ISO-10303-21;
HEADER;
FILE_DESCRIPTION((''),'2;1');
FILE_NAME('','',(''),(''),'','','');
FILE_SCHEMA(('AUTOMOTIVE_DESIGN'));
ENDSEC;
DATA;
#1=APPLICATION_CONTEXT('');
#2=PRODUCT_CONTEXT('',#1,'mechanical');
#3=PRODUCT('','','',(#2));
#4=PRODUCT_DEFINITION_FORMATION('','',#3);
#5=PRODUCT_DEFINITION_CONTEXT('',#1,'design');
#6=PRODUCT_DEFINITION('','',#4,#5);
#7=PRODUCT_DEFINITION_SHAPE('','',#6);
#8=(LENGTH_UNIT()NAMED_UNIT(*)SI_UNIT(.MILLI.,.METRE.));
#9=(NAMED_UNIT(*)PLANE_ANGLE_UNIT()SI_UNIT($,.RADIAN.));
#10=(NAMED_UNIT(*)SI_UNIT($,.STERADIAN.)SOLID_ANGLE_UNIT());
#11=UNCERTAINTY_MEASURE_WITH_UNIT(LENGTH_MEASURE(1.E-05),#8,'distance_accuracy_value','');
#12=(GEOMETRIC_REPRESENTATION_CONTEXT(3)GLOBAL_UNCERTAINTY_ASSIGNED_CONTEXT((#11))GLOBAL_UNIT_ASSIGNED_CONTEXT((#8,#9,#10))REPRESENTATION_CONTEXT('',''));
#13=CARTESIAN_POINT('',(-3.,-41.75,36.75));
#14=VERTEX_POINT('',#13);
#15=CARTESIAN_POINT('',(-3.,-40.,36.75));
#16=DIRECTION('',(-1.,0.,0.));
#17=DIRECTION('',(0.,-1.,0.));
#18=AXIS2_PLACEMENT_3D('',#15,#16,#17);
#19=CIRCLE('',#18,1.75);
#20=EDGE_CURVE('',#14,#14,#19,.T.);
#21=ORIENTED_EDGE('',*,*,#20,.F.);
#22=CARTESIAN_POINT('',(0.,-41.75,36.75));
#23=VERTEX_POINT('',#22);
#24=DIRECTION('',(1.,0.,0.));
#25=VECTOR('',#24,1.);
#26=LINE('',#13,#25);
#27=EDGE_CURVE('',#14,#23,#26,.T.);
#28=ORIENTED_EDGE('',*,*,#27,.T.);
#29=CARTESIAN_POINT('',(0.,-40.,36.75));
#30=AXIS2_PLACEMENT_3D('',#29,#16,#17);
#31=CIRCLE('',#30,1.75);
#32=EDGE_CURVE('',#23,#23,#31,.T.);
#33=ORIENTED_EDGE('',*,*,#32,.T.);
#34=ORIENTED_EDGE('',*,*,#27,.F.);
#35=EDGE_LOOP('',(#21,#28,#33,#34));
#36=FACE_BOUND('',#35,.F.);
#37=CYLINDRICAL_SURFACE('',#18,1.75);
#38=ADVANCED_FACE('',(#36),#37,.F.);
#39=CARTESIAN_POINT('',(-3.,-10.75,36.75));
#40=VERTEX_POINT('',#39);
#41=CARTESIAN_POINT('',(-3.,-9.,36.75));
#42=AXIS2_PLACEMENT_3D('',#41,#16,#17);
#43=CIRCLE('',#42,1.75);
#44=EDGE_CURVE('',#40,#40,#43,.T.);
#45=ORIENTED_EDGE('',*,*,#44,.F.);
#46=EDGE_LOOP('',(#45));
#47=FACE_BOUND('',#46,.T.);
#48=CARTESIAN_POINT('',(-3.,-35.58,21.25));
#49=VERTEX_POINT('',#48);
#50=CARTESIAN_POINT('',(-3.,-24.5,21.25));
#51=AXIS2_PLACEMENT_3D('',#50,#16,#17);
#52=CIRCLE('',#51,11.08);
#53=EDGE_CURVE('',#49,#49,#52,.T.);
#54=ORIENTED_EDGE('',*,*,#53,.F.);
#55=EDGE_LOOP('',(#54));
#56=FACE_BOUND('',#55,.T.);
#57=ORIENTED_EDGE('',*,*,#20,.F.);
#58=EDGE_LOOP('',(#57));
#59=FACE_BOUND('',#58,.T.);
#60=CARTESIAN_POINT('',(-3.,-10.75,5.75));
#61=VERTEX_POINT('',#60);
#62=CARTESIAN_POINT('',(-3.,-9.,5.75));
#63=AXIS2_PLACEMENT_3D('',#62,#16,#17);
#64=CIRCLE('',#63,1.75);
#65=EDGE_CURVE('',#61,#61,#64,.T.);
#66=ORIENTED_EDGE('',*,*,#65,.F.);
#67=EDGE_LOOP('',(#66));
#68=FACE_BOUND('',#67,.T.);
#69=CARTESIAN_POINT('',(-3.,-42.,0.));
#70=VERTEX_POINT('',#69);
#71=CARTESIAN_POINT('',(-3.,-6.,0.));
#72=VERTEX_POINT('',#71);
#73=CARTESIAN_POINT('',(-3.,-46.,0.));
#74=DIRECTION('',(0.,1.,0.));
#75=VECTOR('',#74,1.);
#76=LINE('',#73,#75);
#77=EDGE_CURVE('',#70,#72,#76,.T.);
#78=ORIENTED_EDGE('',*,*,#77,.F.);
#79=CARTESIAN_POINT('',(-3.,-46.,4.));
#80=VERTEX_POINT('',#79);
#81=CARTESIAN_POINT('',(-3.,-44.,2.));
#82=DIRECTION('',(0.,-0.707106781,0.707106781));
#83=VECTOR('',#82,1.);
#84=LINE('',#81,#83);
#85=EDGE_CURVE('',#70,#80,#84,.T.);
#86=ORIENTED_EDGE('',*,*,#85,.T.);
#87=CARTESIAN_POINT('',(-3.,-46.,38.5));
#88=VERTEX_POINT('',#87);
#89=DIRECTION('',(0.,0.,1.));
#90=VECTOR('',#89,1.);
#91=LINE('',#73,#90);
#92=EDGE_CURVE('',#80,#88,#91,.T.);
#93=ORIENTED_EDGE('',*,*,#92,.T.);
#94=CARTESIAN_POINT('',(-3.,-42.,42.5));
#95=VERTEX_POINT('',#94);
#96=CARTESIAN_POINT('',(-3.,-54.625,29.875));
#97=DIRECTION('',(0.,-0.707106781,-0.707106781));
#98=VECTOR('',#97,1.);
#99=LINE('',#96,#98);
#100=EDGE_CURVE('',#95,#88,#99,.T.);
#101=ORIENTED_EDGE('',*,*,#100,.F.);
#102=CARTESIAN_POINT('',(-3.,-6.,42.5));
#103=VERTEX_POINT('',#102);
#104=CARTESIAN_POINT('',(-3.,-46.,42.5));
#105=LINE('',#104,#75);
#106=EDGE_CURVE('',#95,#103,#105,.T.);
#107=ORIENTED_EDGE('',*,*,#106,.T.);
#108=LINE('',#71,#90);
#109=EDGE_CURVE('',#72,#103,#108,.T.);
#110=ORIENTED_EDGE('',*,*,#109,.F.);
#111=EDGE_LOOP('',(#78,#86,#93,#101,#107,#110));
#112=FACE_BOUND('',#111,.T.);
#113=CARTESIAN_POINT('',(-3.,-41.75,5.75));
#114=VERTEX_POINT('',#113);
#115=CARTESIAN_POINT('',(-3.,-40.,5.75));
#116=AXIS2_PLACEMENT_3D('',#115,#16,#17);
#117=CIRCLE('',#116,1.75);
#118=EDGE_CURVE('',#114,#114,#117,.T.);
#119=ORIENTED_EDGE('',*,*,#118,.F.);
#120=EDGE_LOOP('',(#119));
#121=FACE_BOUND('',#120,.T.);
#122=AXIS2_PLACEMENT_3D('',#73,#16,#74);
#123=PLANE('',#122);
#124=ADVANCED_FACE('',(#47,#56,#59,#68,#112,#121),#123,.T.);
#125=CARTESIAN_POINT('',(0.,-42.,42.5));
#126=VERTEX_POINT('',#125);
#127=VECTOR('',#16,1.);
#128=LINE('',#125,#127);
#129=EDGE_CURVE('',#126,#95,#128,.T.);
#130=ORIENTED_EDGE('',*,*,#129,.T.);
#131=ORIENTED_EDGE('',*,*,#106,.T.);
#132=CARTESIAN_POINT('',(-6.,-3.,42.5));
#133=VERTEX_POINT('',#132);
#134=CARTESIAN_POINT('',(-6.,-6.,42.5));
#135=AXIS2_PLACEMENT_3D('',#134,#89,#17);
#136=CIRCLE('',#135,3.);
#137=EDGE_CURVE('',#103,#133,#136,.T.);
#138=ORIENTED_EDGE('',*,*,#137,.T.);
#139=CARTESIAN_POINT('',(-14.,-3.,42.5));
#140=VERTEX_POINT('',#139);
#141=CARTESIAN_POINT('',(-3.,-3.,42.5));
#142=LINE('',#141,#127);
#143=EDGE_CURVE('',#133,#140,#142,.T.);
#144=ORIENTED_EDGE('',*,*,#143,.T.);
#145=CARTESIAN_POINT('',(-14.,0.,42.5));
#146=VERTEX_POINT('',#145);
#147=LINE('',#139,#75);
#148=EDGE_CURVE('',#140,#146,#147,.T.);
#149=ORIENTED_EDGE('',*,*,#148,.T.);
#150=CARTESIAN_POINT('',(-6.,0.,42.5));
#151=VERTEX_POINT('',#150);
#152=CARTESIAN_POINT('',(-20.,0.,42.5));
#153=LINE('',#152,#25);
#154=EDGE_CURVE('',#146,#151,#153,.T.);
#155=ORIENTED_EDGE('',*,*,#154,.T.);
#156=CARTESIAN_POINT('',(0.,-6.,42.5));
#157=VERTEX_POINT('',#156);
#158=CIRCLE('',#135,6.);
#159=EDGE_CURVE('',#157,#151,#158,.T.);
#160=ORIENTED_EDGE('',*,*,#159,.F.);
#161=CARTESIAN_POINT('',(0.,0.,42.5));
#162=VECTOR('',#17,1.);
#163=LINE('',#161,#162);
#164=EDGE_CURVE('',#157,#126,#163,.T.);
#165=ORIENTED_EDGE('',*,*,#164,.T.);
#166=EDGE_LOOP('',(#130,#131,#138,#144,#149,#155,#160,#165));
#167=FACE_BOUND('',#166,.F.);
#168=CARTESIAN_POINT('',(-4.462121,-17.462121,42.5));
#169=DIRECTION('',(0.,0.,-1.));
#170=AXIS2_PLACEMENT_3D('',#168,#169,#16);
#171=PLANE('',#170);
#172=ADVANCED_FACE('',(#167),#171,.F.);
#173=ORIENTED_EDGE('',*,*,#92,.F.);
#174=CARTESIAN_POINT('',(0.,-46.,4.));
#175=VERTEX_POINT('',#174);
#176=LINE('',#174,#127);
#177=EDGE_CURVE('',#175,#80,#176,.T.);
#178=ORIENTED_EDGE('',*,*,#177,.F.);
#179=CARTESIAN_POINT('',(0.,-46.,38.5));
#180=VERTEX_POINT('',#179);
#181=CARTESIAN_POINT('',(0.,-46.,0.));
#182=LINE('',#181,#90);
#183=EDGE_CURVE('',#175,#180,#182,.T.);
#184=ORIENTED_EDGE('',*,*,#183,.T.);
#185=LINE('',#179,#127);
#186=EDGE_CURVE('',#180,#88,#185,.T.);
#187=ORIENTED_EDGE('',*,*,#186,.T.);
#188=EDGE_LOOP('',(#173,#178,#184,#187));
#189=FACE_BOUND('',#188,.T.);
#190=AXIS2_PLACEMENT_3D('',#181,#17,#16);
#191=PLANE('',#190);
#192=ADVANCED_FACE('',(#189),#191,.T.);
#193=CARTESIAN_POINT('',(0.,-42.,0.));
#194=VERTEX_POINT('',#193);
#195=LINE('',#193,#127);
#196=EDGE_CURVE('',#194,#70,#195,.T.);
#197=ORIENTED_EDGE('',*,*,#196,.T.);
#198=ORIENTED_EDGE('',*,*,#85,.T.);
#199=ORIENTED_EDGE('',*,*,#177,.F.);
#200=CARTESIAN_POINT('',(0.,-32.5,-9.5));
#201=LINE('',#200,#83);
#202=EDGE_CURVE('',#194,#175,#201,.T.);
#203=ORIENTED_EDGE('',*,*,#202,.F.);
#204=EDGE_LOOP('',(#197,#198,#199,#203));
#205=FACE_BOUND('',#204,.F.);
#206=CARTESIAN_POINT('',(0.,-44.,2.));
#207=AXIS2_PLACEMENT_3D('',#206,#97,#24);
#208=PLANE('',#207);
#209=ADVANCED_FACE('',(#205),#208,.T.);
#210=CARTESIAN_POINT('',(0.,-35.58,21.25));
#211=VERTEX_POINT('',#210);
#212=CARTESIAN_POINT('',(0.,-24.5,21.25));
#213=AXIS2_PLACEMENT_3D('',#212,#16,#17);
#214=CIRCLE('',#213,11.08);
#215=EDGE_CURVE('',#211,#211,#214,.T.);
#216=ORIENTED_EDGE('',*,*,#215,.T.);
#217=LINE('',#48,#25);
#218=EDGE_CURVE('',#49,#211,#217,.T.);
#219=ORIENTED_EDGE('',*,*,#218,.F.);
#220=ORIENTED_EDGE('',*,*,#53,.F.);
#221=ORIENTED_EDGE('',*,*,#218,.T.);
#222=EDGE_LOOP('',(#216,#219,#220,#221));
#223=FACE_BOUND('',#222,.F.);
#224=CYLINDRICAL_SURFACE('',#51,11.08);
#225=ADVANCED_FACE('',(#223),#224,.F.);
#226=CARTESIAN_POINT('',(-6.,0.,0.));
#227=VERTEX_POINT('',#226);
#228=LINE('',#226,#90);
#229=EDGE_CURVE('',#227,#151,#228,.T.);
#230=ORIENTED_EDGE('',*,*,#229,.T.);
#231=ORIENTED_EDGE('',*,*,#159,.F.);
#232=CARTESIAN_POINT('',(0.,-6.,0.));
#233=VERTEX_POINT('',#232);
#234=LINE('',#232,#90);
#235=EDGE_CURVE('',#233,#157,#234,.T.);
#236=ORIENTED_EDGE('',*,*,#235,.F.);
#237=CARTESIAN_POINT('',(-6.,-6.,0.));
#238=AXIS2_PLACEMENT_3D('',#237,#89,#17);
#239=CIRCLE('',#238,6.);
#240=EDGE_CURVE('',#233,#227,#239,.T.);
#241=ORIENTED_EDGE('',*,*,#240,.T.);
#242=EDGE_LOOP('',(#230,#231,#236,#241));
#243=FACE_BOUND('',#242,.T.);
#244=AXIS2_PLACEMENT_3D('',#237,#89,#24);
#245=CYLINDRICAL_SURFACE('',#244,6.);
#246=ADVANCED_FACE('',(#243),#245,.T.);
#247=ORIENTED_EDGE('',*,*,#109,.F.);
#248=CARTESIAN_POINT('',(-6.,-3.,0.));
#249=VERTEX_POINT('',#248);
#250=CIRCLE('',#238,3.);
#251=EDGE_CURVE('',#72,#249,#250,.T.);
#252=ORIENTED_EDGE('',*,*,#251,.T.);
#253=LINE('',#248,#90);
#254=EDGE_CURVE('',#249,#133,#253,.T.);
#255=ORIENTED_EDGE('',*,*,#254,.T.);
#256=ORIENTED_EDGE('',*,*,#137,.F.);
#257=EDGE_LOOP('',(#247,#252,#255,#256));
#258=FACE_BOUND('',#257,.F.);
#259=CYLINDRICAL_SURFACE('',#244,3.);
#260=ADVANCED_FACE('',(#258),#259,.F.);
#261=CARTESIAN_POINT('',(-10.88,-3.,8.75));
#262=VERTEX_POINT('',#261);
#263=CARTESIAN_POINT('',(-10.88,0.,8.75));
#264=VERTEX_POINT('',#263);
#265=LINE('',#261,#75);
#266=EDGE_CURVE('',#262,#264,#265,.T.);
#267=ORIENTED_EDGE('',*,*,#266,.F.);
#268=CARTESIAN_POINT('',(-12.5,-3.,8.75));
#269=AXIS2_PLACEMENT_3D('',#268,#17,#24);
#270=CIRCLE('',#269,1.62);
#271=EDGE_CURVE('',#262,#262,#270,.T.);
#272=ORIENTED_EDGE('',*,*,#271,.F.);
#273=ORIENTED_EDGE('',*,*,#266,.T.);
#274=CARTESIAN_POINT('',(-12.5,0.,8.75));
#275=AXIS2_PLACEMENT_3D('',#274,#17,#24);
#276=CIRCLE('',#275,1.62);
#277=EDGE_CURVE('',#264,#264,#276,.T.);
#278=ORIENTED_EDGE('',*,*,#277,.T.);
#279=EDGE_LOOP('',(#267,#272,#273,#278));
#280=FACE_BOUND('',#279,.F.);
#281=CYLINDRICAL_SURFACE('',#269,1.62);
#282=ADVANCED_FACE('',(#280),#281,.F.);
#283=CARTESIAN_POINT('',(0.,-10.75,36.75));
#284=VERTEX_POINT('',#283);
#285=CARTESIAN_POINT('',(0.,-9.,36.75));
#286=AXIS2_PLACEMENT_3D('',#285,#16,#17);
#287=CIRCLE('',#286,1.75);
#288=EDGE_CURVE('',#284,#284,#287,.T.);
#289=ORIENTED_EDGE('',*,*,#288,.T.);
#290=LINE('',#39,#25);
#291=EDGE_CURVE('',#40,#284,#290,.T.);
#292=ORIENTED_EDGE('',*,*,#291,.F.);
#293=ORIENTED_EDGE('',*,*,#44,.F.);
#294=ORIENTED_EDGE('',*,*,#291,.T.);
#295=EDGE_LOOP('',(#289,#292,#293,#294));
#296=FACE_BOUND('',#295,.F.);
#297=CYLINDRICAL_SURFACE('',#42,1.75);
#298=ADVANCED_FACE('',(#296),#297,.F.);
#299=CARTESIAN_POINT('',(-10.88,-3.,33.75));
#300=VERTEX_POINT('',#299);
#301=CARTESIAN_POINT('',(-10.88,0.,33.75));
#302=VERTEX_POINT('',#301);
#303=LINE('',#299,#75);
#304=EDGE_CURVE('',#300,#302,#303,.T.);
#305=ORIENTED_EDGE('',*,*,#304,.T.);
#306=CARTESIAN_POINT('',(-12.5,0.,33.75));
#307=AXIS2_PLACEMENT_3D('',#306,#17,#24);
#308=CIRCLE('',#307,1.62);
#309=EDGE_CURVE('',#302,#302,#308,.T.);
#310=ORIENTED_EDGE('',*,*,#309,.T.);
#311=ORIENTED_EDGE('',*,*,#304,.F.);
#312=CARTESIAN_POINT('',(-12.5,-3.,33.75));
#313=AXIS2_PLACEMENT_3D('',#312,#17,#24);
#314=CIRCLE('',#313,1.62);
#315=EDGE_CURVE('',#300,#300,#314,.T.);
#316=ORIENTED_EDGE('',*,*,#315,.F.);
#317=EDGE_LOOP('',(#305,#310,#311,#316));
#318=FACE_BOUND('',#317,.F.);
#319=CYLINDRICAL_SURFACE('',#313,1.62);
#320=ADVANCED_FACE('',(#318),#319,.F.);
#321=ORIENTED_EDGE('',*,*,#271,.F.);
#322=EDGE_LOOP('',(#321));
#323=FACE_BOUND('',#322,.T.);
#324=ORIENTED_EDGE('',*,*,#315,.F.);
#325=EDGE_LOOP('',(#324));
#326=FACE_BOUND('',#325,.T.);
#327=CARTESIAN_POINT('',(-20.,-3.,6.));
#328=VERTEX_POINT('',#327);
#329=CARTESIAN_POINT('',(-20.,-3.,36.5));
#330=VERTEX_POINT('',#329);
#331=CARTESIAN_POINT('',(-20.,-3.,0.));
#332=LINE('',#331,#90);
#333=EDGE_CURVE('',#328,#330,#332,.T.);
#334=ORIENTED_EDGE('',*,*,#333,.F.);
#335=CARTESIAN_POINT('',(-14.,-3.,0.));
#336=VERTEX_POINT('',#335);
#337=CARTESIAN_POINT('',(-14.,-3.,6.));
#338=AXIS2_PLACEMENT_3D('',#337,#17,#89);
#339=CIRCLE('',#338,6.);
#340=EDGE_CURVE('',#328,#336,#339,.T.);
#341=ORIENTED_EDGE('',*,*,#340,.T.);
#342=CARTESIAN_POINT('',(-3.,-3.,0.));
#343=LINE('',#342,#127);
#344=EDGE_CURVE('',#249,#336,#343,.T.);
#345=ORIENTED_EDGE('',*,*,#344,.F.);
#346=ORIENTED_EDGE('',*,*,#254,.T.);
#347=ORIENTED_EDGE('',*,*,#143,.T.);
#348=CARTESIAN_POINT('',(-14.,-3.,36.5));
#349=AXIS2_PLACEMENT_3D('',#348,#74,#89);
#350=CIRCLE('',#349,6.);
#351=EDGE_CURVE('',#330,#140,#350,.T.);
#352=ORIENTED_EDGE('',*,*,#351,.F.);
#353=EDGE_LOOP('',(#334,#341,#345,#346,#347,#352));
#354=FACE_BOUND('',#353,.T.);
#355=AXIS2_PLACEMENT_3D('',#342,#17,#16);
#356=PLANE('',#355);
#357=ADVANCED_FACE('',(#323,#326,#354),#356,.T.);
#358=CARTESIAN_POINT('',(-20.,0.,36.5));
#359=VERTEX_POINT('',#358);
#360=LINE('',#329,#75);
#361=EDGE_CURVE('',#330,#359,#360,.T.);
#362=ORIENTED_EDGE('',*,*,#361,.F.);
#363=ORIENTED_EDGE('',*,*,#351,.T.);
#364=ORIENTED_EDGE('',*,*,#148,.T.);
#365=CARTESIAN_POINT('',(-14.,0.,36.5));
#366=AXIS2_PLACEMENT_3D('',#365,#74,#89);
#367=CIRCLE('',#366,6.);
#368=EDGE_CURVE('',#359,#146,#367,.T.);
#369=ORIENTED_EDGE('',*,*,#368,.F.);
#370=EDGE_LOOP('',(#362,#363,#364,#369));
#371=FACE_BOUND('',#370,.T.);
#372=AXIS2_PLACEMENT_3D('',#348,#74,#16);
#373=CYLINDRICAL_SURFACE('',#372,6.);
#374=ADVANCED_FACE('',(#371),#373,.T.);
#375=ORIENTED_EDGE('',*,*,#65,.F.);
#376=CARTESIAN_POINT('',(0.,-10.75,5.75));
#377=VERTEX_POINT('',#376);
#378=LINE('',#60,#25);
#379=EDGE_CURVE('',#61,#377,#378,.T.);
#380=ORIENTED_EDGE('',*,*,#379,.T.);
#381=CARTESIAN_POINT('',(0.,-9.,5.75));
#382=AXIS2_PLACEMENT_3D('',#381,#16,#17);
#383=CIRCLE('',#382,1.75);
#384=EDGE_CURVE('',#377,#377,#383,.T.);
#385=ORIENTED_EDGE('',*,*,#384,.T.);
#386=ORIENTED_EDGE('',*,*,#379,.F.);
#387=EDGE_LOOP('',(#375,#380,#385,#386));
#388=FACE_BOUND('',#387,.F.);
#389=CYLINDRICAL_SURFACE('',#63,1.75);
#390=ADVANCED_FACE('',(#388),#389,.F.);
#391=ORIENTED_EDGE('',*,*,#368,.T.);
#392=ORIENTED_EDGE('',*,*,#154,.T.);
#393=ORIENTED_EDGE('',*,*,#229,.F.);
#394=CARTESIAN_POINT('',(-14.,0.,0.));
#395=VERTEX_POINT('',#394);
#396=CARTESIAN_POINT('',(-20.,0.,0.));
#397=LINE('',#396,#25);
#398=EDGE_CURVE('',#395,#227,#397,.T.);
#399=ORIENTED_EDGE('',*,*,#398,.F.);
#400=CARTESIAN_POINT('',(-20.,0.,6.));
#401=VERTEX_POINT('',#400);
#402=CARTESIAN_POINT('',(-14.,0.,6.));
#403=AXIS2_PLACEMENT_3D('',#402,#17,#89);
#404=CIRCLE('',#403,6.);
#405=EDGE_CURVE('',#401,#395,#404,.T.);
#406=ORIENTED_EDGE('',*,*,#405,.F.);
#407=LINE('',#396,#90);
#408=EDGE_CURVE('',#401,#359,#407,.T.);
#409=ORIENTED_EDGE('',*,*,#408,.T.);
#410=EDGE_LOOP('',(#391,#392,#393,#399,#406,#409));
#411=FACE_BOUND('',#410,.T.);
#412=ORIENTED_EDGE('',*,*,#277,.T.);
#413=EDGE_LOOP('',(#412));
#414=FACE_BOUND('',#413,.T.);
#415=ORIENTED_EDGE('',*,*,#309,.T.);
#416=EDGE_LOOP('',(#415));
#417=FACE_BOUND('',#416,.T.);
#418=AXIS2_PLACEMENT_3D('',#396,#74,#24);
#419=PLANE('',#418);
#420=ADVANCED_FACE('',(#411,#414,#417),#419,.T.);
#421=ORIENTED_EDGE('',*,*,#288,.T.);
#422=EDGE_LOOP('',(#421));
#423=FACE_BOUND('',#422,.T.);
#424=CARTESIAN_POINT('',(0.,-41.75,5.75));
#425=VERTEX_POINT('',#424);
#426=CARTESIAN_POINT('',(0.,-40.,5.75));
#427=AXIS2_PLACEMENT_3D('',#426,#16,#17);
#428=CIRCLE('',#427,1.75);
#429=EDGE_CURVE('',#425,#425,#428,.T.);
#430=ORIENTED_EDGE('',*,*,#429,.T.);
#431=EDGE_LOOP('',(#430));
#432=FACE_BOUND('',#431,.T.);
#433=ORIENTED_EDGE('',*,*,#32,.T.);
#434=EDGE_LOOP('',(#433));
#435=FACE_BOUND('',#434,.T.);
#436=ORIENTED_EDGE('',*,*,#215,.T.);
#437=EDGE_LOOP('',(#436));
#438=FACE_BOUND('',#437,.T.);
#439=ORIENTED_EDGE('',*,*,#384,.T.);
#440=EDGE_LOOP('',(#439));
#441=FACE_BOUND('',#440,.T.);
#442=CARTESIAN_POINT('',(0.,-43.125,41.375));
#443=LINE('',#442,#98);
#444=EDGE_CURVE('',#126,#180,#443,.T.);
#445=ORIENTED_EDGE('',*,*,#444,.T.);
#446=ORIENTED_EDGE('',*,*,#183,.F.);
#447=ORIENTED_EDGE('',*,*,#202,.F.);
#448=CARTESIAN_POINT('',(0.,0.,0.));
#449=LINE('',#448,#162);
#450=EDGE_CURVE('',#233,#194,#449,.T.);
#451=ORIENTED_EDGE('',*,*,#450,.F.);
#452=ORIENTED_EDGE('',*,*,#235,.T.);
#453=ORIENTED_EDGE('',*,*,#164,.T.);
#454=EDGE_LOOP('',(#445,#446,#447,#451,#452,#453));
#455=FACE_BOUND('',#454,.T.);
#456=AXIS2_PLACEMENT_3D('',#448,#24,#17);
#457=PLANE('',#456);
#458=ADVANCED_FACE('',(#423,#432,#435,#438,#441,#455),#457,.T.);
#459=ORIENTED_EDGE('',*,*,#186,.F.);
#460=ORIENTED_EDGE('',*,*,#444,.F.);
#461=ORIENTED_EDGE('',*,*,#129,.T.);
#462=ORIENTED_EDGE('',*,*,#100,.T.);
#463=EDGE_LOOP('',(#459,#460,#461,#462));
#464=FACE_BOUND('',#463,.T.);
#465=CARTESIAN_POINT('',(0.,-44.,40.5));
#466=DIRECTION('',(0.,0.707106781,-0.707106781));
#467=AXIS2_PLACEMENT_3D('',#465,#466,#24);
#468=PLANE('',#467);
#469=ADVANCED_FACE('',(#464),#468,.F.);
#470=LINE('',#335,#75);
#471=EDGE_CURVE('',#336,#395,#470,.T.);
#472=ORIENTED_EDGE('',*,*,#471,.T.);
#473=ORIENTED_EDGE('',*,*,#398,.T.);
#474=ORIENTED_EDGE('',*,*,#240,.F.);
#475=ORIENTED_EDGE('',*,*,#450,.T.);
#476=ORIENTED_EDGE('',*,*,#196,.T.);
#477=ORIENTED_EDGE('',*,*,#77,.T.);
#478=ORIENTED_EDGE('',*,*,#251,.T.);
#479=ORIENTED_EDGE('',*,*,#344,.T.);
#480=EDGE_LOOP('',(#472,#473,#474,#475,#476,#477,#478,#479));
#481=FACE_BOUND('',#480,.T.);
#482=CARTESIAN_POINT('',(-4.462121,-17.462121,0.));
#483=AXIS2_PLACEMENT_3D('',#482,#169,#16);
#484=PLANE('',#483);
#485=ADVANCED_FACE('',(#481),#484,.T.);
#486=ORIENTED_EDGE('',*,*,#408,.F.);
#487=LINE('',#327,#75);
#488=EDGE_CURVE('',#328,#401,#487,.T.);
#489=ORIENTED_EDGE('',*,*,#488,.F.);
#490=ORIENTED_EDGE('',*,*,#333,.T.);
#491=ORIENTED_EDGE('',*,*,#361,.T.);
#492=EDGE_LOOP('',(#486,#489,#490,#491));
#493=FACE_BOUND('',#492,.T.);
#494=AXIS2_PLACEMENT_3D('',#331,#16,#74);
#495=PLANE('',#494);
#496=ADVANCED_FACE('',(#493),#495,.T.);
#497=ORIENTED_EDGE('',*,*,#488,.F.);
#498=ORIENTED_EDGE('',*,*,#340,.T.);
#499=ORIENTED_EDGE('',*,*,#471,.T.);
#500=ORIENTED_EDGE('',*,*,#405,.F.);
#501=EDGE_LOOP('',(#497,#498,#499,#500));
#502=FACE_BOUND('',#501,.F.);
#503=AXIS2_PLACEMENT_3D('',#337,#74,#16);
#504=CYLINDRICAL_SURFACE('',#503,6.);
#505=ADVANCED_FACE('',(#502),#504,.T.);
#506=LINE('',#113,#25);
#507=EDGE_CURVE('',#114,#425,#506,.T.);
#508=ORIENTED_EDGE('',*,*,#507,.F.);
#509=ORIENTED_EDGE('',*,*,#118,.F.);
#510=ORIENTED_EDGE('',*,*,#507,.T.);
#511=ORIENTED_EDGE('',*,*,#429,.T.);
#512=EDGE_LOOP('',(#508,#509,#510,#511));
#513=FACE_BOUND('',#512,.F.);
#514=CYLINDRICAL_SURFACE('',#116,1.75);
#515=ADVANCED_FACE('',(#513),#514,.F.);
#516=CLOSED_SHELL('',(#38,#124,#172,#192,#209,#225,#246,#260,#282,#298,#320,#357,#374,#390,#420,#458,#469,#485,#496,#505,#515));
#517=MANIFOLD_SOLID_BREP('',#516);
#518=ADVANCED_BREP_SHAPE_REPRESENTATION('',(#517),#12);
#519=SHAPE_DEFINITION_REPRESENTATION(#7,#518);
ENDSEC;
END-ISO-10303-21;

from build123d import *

# Parameters (mm, degrees)
PAD_DEPTH       = 42.5
FILLET_R        = 6
SKETCH001_R     = 1.62
POCKET_DEPTH    = 5
CHAMFER_SIZE    = 4
SKETCH002_R     = 11.08
SKETCH002_R_2   = 1.75
POCKET001_DEPTH = 5
FILLET001_R     = 3
FILLET002_R     = 6


with BuildPart() as part:
    # Sketch → Pad (new body)
    with BuildSketch(Plane.XY):
        Polygon((-20, 0), (0, 0), (0, -46), (-3, -46), (-3, -3), (-20, -3), align=None)
    extrude(amount=PAD_DEPTH)

    # Fillet
    fillet_edges = [part.edges().sort_by_distance(p)[0] for p in [
        (-20, -1.5, 0),
        (-20, -1.5, 42.5),
    ]]
    fillet(fillet_edges, radius=FILLET_R)

    # Sketch001 → Pocket (cut)
    with BuildSketch(Plane.XZ.offset(3)):
        with Locations((-12.5, 33.75)):
            Circle(SKETCH001_R)
        with Locations((-12.5, 8.75)):
            Circle(SKETCH001_R)
    extrude(amount=-POCKET_DEPTH, mode=Mode.SUBTRACT)

    # Chamfer
    chamfer_edges = [part.edges().sort_by_distance(p)[0] for p in [
        (-1.5, -46, 0),
        (-1.5, -46, 42.5),
    ]]
    chamfer(chamfer_edges, length=CHAMFER_SIZE)

    # Sketch002 → Pocket001 (cut)
    with BuildSketch(Plane(origin=(-3, 0, 0), x_dir=(0, -1, 0), z_dir=(-1, 0, 0))):
        with Locations((24.5, 21.25)):
            Circle(SKETCH002_R)
        with Locations((9, 36.75)):
            Circle(SKETCH002_R_2)
        with Locations((40, 36.75)):
            Circle(SKETCH002_R_2)
        with Locations((9, 5.75)):
            Circle(SKETCH002_R_2)
        with Locations((40, 5.75)):
            Circle(SKETCH002_R_2)
    extrude(amount=-POCKET001_DEPTH, mode=Mode.SUBTRACT)

    # Fillet001
    fillet001_edges = [part.edges().sort_by_distance(p)[0] for p in [
        (-3, -3, 21.25),
    ]]
    fillet(fillet001_edges, radius=FILLET001_R)

    # Fillet002
    fillet002_edges = [part.edges().sort_by_distance(p)[0] for p in [
        (0, 0, 21.25),
    ]]
    fillet(fillet002_edges, radius=FILLET002_R)


solid = part.part
